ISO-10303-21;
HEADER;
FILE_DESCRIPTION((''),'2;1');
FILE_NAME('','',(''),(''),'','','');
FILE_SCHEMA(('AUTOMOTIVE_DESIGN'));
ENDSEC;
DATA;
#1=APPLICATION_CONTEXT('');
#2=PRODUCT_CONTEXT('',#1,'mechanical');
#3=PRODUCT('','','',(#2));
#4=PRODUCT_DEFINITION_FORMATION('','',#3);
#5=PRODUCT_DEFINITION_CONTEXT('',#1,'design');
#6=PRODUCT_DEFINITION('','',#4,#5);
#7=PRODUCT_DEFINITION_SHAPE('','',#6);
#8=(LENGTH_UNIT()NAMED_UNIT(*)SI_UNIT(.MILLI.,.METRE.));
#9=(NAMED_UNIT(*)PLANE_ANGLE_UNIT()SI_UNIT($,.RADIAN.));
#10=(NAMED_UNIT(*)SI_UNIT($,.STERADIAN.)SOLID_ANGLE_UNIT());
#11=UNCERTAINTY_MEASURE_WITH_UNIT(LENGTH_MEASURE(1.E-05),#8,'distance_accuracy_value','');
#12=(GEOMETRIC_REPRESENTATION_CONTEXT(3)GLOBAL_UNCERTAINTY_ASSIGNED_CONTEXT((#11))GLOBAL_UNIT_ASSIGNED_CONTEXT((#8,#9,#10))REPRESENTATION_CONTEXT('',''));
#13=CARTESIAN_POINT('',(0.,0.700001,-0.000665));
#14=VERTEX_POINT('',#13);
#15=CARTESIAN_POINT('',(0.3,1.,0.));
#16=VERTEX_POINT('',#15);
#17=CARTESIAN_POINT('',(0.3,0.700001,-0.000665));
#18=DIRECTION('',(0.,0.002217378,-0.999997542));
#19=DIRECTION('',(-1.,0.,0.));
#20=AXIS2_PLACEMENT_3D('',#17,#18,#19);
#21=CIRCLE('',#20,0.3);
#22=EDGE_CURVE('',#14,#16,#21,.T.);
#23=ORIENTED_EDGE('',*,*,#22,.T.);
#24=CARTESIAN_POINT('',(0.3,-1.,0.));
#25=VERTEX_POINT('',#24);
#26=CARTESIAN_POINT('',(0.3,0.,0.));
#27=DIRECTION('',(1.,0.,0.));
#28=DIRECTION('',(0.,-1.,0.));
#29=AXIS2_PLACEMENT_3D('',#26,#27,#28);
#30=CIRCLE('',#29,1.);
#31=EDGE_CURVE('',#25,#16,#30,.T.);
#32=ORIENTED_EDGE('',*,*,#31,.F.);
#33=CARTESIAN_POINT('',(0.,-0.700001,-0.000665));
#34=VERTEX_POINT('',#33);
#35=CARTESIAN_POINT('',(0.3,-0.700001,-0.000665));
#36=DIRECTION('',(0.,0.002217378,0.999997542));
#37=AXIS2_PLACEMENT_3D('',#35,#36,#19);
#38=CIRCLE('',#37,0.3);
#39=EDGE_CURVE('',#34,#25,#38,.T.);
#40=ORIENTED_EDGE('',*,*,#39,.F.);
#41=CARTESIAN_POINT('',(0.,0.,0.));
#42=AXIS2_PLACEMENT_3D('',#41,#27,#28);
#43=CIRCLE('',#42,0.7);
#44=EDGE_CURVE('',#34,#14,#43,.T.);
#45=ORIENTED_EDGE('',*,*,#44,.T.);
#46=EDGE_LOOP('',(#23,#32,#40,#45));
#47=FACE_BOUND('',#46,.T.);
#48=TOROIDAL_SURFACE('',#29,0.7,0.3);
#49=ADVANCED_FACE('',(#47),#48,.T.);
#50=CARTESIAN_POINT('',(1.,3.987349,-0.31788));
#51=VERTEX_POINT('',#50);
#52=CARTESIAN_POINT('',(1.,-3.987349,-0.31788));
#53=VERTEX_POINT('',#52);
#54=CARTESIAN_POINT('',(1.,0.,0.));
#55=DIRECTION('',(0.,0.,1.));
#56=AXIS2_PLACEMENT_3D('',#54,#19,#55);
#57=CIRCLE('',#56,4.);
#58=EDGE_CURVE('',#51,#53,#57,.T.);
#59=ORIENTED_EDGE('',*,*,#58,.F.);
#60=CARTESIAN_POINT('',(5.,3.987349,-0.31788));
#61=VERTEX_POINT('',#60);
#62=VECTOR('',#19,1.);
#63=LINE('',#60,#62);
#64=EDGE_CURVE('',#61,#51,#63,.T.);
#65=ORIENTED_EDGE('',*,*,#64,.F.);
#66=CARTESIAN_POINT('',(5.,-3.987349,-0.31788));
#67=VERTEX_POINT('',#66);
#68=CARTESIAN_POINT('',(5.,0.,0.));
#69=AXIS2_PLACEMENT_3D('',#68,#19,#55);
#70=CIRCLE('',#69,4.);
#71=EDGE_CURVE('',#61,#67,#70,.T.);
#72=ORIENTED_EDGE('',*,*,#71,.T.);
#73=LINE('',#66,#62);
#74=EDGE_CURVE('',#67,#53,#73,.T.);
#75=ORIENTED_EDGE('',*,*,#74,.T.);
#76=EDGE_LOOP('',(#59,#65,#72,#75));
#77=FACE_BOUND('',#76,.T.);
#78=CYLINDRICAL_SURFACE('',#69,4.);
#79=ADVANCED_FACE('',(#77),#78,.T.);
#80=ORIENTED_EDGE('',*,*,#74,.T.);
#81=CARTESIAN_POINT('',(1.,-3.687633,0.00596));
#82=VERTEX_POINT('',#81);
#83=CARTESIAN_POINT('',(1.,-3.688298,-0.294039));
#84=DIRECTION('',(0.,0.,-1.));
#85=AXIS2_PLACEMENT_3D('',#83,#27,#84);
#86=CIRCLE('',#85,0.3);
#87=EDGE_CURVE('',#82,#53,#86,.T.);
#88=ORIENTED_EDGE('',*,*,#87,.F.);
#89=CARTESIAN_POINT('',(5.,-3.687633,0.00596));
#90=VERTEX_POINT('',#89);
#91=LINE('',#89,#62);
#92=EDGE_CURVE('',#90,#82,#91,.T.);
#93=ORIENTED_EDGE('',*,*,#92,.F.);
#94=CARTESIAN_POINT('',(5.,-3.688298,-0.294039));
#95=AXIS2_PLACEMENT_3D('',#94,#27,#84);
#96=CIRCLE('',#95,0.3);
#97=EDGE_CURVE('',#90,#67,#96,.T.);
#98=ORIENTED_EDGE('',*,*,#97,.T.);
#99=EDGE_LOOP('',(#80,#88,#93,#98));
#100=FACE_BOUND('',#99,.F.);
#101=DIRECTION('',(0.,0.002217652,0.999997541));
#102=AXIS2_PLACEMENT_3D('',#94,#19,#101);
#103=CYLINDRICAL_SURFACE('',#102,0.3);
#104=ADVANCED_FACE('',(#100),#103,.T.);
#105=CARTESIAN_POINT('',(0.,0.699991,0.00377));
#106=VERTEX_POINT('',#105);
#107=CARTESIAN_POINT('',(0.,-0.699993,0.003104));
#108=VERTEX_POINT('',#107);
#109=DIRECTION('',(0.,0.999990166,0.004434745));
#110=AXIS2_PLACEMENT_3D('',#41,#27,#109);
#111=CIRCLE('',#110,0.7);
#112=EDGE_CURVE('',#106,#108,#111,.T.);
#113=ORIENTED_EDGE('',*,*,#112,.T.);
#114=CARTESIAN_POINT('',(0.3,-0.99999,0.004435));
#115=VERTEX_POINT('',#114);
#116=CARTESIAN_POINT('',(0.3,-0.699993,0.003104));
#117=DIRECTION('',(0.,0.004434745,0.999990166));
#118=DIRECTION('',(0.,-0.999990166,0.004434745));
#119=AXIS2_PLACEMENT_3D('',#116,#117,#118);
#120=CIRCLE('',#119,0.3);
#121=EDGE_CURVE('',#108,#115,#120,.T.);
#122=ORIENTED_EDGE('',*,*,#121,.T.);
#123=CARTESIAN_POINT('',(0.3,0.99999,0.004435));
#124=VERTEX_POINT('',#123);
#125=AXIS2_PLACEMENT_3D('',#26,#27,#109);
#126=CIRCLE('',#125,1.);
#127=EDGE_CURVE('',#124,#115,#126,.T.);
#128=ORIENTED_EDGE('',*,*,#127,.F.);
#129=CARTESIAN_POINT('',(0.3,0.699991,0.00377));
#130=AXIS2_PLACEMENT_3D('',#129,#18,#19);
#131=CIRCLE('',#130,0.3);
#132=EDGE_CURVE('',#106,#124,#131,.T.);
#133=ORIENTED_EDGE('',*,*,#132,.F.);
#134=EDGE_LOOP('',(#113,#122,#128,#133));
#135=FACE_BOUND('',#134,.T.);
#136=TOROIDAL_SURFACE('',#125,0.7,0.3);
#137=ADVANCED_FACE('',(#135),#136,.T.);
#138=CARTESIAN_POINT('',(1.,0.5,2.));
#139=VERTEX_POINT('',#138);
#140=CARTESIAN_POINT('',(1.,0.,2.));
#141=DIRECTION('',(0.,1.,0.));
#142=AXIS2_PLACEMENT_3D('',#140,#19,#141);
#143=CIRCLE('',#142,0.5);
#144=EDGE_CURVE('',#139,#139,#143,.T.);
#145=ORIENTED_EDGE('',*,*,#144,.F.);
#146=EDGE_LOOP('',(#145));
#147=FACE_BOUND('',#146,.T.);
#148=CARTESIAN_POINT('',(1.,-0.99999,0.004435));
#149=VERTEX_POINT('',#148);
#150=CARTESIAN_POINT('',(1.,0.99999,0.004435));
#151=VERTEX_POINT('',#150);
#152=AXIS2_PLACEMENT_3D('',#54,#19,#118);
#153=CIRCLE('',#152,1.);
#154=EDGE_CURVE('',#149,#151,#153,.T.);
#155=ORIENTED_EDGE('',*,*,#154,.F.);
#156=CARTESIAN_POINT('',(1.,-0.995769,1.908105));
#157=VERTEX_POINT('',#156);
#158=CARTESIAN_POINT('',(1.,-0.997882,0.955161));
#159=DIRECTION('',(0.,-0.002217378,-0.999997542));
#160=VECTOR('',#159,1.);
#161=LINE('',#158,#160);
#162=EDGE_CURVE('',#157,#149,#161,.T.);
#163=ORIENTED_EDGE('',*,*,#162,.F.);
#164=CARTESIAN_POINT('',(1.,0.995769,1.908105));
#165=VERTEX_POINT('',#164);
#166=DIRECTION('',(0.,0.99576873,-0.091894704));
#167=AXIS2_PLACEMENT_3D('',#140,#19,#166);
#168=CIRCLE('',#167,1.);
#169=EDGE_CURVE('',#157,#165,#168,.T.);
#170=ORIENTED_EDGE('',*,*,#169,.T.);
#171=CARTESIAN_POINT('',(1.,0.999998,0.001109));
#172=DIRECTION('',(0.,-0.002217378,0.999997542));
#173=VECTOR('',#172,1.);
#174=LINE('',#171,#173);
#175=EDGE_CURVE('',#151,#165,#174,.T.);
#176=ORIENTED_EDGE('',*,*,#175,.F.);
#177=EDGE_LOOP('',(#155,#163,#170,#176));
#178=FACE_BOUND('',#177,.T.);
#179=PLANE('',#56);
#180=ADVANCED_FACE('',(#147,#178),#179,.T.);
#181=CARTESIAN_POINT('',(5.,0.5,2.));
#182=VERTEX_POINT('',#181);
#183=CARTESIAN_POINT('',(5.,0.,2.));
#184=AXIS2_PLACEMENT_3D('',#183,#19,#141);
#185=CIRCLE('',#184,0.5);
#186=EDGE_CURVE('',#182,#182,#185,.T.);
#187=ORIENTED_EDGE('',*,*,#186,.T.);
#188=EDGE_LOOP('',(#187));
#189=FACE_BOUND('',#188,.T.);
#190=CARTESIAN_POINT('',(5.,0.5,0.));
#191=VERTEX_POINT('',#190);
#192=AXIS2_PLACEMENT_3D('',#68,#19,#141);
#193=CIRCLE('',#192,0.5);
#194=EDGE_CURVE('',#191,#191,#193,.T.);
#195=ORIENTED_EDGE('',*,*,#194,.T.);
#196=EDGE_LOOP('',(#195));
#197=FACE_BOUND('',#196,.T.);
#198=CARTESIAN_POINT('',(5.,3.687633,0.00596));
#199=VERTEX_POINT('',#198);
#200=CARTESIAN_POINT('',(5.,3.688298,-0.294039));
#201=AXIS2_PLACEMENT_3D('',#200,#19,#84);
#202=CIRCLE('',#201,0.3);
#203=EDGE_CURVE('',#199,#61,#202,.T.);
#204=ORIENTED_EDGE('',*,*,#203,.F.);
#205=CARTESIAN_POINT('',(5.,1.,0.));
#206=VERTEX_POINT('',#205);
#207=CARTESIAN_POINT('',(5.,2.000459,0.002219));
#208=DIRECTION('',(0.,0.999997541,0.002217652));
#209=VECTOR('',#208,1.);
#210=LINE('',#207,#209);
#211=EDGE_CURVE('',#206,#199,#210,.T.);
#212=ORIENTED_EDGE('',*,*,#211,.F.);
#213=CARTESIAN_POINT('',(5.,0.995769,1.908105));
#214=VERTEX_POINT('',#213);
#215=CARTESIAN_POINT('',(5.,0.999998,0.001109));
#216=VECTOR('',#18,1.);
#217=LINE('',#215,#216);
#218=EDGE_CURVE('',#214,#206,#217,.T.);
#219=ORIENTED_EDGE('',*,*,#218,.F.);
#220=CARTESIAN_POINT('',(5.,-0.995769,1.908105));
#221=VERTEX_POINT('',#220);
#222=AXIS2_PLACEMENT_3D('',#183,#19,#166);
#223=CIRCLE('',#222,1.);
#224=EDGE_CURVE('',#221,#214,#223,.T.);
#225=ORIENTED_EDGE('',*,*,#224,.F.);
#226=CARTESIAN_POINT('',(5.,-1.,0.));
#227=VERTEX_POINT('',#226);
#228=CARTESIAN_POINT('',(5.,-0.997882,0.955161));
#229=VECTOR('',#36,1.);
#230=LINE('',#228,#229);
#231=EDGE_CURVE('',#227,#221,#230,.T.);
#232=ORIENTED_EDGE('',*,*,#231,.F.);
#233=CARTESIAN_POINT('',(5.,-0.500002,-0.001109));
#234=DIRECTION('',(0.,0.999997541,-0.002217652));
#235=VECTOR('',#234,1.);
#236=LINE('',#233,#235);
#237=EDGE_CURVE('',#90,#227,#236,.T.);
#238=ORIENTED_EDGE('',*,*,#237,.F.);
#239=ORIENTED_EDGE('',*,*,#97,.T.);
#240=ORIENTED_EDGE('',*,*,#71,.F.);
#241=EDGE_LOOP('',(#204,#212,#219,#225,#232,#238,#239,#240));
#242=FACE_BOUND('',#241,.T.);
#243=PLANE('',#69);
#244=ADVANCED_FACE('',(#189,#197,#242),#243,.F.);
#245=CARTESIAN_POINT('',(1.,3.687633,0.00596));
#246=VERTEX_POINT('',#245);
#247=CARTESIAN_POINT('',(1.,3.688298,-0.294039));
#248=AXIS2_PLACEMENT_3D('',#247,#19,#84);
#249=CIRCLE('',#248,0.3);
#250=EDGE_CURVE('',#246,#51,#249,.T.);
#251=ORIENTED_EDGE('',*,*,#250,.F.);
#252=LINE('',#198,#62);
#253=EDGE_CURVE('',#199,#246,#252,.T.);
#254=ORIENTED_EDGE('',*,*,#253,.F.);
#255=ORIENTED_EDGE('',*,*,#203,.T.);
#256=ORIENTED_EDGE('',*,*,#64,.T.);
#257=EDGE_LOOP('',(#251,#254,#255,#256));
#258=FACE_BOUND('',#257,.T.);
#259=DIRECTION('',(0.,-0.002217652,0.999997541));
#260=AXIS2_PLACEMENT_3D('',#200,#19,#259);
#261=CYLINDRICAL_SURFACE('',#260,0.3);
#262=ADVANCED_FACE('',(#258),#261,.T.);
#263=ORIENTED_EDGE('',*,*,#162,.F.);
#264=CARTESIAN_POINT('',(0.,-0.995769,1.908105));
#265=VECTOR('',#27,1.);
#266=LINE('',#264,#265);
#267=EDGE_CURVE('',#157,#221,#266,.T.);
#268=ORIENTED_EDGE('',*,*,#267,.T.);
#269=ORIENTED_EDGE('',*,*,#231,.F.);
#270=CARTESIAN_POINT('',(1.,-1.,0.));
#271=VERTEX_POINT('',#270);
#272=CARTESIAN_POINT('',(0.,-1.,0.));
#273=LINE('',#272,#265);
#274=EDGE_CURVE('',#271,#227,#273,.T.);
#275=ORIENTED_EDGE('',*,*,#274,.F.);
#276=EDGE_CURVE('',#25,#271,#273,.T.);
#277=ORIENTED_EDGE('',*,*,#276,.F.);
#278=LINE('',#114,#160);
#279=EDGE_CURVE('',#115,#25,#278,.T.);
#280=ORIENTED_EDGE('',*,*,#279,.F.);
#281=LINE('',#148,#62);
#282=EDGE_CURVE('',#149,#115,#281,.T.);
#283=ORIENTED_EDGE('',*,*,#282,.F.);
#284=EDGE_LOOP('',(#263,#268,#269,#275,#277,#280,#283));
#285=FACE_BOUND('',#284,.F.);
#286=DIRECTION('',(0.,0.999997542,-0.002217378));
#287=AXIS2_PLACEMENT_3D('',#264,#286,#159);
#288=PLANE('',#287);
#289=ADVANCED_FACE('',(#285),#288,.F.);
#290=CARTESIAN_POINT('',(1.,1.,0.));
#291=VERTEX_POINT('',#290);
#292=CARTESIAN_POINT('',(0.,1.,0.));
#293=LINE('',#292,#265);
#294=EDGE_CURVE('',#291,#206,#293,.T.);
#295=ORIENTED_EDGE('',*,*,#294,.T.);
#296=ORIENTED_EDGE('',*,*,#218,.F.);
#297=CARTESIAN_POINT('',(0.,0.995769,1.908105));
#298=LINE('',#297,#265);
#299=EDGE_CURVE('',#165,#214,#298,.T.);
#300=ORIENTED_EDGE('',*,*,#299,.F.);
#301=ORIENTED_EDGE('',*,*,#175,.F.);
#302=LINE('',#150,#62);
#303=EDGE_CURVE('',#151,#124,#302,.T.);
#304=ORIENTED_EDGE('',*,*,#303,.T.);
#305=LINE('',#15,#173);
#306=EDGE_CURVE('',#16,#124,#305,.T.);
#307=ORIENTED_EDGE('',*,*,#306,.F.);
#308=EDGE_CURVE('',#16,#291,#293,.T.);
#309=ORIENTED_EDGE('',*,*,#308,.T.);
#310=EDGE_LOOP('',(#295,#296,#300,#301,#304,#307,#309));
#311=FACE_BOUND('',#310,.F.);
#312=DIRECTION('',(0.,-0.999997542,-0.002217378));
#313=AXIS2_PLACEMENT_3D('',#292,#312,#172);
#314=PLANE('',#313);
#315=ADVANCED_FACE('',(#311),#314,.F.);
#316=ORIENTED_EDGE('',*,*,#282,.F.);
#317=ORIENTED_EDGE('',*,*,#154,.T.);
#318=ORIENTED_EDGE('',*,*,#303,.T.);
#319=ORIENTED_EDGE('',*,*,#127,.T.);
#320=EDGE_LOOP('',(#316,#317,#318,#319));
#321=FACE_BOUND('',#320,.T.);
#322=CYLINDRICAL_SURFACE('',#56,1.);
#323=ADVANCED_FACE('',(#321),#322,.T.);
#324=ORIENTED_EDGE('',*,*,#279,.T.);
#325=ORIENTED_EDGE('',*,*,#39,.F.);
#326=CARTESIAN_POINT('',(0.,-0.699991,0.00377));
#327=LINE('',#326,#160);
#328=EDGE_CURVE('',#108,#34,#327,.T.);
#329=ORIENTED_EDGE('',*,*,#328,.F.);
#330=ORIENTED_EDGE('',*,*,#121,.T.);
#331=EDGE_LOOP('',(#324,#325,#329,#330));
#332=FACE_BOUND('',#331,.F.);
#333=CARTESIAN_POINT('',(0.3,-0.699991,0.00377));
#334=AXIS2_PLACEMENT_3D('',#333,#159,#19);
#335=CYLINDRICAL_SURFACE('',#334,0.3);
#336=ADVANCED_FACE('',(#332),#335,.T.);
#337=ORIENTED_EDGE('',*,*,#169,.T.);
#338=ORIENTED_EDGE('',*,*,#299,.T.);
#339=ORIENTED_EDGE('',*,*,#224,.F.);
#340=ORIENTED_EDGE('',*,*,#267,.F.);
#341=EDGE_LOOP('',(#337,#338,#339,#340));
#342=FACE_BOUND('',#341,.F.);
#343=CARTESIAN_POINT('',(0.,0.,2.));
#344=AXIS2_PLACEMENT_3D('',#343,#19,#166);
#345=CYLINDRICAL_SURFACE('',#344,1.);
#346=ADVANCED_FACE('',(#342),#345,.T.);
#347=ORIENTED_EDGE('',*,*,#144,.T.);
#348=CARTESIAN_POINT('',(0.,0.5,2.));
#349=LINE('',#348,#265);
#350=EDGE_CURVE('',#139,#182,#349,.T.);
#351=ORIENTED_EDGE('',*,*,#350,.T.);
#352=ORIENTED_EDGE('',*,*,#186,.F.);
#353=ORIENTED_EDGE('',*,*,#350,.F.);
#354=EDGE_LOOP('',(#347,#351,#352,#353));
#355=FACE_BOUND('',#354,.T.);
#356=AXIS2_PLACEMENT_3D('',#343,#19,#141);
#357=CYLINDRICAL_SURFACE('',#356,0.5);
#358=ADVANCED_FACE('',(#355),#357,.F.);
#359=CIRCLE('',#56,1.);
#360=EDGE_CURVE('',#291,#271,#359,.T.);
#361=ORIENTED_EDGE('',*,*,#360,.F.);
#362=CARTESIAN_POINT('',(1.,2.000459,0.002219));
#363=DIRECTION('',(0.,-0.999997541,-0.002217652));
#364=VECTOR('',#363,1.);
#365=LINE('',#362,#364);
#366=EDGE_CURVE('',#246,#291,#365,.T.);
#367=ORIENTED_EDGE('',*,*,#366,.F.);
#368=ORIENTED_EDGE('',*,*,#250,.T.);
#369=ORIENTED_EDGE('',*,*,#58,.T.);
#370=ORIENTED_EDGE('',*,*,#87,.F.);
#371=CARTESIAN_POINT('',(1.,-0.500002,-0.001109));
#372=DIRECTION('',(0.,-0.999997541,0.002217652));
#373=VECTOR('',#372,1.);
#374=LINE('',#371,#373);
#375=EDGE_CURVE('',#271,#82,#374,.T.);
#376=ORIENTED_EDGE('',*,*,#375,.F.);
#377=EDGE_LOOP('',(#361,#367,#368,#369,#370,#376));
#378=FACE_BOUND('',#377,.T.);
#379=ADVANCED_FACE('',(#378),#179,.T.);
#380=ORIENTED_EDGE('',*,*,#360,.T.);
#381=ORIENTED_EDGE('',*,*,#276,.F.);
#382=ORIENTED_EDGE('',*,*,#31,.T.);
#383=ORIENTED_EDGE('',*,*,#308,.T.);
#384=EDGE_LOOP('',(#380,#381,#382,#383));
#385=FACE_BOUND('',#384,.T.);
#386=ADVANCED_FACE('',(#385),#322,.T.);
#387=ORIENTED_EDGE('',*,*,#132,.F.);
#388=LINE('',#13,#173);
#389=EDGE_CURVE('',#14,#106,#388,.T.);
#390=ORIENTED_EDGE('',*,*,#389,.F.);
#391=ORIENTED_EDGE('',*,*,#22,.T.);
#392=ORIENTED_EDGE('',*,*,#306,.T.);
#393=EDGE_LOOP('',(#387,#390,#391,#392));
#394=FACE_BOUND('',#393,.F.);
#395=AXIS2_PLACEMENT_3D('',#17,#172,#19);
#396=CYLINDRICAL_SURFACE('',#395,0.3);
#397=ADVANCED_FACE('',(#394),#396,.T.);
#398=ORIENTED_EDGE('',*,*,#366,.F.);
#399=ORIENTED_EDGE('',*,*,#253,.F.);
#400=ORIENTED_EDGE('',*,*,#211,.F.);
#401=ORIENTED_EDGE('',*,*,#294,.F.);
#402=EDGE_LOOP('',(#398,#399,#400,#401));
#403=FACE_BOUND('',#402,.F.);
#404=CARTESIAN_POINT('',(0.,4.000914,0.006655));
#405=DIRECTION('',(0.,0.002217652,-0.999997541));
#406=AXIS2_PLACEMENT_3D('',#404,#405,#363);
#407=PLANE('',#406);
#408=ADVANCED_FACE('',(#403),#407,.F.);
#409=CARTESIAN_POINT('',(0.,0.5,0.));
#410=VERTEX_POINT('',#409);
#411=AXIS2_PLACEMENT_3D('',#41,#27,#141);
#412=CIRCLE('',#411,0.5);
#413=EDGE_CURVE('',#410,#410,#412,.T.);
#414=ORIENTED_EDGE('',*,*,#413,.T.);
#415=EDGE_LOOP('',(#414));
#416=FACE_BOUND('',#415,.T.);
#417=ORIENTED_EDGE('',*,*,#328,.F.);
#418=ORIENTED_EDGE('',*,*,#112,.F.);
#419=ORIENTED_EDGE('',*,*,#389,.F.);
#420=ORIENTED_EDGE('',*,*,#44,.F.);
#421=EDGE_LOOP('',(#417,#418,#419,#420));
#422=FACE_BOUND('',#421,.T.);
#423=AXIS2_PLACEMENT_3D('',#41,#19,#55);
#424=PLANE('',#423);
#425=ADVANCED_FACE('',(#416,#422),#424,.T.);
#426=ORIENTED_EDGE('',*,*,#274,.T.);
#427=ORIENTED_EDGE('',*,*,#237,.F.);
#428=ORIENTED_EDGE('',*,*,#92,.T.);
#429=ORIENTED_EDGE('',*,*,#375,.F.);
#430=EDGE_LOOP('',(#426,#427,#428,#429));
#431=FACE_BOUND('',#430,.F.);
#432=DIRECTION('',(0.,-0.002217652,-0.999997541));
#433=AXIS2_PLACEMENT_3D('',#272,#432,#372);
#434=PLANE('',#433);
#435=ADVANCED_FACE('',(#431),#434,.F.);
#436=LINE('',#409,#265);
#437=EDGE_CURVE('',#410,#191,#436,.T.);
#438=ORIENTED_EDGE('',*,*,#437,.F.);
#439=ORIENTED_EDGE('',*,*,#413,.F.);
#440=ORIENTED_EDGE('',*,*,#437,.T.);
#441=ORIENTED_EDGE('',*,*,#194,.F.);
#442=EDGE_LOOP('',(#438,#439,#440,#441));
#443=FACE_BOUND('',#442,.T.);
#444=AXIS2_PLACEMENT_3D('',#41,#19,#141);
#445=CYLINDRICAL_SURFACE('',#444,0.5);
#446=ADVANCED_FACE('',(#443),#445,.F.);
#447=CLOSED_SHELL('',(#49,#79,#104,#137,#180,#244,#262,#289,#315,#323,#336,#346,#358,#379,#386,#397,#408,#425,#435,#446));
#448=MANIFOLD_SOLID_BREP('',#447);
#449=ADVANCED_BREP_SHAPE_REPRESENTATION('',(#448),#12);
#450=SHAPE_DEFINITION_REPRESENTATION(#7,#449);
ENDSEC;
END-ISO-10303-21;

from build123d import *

# Parameters (mm, degrees)
F2_R     = 0.5
F3_DEPTH = 25
F4_R     = 0.3


with BuildPart() as f1:
    # F0 (on Front) → F1 (revolve)
    with BuildSketch(Plane.XZ):
        Polygon((0, 1), (0, 0), (5, 0), (5, 4), (1, 4), (1, 1), align=None)
    revolve(axis=Axis((2.5, 0, 0), (-1, 0, 0)))

    # F2 (on Right) → F3 (intersect)
    with BuildSketch(Plane.YZ):
        with BuildLine():
            Line((4.000914, 0.006655), (1, 0))
            Line((1, 0), (0.995769, 1.908105))
            ThreePointArc((0.995769, 1.908105), (0, 3), (-0.995769, 1.908105))
            Line((-0.995769, 1.908105), (-1, 0))
            Line((-1, 0), (-4.000914, 0.006655))
            ThreePointArc((-4.000914, 0.006655), (0, -4.000919), (4.000914, 0.006655))
        make_face()
        Circle(F2_R, mode=Mode.SUBTRACT)
        with Locations((0, 2)):
            Circle(F2_R, mode=Mode.SUBTRACT)
    extrude(amount=F3_DEPTH, mode=Mode.INTERSECT)

    # F4
    f4_edges = [f1.edges().sort_by_distance(p)[0] for p in [
        (3, -3.999994, 0.006653),
        (3, 3.999994, 0.006653),
        (0, 0.999995, 0.002218),
    ]]
    fillet(f4_edges, radius=F4_R)


solid = f1.part
